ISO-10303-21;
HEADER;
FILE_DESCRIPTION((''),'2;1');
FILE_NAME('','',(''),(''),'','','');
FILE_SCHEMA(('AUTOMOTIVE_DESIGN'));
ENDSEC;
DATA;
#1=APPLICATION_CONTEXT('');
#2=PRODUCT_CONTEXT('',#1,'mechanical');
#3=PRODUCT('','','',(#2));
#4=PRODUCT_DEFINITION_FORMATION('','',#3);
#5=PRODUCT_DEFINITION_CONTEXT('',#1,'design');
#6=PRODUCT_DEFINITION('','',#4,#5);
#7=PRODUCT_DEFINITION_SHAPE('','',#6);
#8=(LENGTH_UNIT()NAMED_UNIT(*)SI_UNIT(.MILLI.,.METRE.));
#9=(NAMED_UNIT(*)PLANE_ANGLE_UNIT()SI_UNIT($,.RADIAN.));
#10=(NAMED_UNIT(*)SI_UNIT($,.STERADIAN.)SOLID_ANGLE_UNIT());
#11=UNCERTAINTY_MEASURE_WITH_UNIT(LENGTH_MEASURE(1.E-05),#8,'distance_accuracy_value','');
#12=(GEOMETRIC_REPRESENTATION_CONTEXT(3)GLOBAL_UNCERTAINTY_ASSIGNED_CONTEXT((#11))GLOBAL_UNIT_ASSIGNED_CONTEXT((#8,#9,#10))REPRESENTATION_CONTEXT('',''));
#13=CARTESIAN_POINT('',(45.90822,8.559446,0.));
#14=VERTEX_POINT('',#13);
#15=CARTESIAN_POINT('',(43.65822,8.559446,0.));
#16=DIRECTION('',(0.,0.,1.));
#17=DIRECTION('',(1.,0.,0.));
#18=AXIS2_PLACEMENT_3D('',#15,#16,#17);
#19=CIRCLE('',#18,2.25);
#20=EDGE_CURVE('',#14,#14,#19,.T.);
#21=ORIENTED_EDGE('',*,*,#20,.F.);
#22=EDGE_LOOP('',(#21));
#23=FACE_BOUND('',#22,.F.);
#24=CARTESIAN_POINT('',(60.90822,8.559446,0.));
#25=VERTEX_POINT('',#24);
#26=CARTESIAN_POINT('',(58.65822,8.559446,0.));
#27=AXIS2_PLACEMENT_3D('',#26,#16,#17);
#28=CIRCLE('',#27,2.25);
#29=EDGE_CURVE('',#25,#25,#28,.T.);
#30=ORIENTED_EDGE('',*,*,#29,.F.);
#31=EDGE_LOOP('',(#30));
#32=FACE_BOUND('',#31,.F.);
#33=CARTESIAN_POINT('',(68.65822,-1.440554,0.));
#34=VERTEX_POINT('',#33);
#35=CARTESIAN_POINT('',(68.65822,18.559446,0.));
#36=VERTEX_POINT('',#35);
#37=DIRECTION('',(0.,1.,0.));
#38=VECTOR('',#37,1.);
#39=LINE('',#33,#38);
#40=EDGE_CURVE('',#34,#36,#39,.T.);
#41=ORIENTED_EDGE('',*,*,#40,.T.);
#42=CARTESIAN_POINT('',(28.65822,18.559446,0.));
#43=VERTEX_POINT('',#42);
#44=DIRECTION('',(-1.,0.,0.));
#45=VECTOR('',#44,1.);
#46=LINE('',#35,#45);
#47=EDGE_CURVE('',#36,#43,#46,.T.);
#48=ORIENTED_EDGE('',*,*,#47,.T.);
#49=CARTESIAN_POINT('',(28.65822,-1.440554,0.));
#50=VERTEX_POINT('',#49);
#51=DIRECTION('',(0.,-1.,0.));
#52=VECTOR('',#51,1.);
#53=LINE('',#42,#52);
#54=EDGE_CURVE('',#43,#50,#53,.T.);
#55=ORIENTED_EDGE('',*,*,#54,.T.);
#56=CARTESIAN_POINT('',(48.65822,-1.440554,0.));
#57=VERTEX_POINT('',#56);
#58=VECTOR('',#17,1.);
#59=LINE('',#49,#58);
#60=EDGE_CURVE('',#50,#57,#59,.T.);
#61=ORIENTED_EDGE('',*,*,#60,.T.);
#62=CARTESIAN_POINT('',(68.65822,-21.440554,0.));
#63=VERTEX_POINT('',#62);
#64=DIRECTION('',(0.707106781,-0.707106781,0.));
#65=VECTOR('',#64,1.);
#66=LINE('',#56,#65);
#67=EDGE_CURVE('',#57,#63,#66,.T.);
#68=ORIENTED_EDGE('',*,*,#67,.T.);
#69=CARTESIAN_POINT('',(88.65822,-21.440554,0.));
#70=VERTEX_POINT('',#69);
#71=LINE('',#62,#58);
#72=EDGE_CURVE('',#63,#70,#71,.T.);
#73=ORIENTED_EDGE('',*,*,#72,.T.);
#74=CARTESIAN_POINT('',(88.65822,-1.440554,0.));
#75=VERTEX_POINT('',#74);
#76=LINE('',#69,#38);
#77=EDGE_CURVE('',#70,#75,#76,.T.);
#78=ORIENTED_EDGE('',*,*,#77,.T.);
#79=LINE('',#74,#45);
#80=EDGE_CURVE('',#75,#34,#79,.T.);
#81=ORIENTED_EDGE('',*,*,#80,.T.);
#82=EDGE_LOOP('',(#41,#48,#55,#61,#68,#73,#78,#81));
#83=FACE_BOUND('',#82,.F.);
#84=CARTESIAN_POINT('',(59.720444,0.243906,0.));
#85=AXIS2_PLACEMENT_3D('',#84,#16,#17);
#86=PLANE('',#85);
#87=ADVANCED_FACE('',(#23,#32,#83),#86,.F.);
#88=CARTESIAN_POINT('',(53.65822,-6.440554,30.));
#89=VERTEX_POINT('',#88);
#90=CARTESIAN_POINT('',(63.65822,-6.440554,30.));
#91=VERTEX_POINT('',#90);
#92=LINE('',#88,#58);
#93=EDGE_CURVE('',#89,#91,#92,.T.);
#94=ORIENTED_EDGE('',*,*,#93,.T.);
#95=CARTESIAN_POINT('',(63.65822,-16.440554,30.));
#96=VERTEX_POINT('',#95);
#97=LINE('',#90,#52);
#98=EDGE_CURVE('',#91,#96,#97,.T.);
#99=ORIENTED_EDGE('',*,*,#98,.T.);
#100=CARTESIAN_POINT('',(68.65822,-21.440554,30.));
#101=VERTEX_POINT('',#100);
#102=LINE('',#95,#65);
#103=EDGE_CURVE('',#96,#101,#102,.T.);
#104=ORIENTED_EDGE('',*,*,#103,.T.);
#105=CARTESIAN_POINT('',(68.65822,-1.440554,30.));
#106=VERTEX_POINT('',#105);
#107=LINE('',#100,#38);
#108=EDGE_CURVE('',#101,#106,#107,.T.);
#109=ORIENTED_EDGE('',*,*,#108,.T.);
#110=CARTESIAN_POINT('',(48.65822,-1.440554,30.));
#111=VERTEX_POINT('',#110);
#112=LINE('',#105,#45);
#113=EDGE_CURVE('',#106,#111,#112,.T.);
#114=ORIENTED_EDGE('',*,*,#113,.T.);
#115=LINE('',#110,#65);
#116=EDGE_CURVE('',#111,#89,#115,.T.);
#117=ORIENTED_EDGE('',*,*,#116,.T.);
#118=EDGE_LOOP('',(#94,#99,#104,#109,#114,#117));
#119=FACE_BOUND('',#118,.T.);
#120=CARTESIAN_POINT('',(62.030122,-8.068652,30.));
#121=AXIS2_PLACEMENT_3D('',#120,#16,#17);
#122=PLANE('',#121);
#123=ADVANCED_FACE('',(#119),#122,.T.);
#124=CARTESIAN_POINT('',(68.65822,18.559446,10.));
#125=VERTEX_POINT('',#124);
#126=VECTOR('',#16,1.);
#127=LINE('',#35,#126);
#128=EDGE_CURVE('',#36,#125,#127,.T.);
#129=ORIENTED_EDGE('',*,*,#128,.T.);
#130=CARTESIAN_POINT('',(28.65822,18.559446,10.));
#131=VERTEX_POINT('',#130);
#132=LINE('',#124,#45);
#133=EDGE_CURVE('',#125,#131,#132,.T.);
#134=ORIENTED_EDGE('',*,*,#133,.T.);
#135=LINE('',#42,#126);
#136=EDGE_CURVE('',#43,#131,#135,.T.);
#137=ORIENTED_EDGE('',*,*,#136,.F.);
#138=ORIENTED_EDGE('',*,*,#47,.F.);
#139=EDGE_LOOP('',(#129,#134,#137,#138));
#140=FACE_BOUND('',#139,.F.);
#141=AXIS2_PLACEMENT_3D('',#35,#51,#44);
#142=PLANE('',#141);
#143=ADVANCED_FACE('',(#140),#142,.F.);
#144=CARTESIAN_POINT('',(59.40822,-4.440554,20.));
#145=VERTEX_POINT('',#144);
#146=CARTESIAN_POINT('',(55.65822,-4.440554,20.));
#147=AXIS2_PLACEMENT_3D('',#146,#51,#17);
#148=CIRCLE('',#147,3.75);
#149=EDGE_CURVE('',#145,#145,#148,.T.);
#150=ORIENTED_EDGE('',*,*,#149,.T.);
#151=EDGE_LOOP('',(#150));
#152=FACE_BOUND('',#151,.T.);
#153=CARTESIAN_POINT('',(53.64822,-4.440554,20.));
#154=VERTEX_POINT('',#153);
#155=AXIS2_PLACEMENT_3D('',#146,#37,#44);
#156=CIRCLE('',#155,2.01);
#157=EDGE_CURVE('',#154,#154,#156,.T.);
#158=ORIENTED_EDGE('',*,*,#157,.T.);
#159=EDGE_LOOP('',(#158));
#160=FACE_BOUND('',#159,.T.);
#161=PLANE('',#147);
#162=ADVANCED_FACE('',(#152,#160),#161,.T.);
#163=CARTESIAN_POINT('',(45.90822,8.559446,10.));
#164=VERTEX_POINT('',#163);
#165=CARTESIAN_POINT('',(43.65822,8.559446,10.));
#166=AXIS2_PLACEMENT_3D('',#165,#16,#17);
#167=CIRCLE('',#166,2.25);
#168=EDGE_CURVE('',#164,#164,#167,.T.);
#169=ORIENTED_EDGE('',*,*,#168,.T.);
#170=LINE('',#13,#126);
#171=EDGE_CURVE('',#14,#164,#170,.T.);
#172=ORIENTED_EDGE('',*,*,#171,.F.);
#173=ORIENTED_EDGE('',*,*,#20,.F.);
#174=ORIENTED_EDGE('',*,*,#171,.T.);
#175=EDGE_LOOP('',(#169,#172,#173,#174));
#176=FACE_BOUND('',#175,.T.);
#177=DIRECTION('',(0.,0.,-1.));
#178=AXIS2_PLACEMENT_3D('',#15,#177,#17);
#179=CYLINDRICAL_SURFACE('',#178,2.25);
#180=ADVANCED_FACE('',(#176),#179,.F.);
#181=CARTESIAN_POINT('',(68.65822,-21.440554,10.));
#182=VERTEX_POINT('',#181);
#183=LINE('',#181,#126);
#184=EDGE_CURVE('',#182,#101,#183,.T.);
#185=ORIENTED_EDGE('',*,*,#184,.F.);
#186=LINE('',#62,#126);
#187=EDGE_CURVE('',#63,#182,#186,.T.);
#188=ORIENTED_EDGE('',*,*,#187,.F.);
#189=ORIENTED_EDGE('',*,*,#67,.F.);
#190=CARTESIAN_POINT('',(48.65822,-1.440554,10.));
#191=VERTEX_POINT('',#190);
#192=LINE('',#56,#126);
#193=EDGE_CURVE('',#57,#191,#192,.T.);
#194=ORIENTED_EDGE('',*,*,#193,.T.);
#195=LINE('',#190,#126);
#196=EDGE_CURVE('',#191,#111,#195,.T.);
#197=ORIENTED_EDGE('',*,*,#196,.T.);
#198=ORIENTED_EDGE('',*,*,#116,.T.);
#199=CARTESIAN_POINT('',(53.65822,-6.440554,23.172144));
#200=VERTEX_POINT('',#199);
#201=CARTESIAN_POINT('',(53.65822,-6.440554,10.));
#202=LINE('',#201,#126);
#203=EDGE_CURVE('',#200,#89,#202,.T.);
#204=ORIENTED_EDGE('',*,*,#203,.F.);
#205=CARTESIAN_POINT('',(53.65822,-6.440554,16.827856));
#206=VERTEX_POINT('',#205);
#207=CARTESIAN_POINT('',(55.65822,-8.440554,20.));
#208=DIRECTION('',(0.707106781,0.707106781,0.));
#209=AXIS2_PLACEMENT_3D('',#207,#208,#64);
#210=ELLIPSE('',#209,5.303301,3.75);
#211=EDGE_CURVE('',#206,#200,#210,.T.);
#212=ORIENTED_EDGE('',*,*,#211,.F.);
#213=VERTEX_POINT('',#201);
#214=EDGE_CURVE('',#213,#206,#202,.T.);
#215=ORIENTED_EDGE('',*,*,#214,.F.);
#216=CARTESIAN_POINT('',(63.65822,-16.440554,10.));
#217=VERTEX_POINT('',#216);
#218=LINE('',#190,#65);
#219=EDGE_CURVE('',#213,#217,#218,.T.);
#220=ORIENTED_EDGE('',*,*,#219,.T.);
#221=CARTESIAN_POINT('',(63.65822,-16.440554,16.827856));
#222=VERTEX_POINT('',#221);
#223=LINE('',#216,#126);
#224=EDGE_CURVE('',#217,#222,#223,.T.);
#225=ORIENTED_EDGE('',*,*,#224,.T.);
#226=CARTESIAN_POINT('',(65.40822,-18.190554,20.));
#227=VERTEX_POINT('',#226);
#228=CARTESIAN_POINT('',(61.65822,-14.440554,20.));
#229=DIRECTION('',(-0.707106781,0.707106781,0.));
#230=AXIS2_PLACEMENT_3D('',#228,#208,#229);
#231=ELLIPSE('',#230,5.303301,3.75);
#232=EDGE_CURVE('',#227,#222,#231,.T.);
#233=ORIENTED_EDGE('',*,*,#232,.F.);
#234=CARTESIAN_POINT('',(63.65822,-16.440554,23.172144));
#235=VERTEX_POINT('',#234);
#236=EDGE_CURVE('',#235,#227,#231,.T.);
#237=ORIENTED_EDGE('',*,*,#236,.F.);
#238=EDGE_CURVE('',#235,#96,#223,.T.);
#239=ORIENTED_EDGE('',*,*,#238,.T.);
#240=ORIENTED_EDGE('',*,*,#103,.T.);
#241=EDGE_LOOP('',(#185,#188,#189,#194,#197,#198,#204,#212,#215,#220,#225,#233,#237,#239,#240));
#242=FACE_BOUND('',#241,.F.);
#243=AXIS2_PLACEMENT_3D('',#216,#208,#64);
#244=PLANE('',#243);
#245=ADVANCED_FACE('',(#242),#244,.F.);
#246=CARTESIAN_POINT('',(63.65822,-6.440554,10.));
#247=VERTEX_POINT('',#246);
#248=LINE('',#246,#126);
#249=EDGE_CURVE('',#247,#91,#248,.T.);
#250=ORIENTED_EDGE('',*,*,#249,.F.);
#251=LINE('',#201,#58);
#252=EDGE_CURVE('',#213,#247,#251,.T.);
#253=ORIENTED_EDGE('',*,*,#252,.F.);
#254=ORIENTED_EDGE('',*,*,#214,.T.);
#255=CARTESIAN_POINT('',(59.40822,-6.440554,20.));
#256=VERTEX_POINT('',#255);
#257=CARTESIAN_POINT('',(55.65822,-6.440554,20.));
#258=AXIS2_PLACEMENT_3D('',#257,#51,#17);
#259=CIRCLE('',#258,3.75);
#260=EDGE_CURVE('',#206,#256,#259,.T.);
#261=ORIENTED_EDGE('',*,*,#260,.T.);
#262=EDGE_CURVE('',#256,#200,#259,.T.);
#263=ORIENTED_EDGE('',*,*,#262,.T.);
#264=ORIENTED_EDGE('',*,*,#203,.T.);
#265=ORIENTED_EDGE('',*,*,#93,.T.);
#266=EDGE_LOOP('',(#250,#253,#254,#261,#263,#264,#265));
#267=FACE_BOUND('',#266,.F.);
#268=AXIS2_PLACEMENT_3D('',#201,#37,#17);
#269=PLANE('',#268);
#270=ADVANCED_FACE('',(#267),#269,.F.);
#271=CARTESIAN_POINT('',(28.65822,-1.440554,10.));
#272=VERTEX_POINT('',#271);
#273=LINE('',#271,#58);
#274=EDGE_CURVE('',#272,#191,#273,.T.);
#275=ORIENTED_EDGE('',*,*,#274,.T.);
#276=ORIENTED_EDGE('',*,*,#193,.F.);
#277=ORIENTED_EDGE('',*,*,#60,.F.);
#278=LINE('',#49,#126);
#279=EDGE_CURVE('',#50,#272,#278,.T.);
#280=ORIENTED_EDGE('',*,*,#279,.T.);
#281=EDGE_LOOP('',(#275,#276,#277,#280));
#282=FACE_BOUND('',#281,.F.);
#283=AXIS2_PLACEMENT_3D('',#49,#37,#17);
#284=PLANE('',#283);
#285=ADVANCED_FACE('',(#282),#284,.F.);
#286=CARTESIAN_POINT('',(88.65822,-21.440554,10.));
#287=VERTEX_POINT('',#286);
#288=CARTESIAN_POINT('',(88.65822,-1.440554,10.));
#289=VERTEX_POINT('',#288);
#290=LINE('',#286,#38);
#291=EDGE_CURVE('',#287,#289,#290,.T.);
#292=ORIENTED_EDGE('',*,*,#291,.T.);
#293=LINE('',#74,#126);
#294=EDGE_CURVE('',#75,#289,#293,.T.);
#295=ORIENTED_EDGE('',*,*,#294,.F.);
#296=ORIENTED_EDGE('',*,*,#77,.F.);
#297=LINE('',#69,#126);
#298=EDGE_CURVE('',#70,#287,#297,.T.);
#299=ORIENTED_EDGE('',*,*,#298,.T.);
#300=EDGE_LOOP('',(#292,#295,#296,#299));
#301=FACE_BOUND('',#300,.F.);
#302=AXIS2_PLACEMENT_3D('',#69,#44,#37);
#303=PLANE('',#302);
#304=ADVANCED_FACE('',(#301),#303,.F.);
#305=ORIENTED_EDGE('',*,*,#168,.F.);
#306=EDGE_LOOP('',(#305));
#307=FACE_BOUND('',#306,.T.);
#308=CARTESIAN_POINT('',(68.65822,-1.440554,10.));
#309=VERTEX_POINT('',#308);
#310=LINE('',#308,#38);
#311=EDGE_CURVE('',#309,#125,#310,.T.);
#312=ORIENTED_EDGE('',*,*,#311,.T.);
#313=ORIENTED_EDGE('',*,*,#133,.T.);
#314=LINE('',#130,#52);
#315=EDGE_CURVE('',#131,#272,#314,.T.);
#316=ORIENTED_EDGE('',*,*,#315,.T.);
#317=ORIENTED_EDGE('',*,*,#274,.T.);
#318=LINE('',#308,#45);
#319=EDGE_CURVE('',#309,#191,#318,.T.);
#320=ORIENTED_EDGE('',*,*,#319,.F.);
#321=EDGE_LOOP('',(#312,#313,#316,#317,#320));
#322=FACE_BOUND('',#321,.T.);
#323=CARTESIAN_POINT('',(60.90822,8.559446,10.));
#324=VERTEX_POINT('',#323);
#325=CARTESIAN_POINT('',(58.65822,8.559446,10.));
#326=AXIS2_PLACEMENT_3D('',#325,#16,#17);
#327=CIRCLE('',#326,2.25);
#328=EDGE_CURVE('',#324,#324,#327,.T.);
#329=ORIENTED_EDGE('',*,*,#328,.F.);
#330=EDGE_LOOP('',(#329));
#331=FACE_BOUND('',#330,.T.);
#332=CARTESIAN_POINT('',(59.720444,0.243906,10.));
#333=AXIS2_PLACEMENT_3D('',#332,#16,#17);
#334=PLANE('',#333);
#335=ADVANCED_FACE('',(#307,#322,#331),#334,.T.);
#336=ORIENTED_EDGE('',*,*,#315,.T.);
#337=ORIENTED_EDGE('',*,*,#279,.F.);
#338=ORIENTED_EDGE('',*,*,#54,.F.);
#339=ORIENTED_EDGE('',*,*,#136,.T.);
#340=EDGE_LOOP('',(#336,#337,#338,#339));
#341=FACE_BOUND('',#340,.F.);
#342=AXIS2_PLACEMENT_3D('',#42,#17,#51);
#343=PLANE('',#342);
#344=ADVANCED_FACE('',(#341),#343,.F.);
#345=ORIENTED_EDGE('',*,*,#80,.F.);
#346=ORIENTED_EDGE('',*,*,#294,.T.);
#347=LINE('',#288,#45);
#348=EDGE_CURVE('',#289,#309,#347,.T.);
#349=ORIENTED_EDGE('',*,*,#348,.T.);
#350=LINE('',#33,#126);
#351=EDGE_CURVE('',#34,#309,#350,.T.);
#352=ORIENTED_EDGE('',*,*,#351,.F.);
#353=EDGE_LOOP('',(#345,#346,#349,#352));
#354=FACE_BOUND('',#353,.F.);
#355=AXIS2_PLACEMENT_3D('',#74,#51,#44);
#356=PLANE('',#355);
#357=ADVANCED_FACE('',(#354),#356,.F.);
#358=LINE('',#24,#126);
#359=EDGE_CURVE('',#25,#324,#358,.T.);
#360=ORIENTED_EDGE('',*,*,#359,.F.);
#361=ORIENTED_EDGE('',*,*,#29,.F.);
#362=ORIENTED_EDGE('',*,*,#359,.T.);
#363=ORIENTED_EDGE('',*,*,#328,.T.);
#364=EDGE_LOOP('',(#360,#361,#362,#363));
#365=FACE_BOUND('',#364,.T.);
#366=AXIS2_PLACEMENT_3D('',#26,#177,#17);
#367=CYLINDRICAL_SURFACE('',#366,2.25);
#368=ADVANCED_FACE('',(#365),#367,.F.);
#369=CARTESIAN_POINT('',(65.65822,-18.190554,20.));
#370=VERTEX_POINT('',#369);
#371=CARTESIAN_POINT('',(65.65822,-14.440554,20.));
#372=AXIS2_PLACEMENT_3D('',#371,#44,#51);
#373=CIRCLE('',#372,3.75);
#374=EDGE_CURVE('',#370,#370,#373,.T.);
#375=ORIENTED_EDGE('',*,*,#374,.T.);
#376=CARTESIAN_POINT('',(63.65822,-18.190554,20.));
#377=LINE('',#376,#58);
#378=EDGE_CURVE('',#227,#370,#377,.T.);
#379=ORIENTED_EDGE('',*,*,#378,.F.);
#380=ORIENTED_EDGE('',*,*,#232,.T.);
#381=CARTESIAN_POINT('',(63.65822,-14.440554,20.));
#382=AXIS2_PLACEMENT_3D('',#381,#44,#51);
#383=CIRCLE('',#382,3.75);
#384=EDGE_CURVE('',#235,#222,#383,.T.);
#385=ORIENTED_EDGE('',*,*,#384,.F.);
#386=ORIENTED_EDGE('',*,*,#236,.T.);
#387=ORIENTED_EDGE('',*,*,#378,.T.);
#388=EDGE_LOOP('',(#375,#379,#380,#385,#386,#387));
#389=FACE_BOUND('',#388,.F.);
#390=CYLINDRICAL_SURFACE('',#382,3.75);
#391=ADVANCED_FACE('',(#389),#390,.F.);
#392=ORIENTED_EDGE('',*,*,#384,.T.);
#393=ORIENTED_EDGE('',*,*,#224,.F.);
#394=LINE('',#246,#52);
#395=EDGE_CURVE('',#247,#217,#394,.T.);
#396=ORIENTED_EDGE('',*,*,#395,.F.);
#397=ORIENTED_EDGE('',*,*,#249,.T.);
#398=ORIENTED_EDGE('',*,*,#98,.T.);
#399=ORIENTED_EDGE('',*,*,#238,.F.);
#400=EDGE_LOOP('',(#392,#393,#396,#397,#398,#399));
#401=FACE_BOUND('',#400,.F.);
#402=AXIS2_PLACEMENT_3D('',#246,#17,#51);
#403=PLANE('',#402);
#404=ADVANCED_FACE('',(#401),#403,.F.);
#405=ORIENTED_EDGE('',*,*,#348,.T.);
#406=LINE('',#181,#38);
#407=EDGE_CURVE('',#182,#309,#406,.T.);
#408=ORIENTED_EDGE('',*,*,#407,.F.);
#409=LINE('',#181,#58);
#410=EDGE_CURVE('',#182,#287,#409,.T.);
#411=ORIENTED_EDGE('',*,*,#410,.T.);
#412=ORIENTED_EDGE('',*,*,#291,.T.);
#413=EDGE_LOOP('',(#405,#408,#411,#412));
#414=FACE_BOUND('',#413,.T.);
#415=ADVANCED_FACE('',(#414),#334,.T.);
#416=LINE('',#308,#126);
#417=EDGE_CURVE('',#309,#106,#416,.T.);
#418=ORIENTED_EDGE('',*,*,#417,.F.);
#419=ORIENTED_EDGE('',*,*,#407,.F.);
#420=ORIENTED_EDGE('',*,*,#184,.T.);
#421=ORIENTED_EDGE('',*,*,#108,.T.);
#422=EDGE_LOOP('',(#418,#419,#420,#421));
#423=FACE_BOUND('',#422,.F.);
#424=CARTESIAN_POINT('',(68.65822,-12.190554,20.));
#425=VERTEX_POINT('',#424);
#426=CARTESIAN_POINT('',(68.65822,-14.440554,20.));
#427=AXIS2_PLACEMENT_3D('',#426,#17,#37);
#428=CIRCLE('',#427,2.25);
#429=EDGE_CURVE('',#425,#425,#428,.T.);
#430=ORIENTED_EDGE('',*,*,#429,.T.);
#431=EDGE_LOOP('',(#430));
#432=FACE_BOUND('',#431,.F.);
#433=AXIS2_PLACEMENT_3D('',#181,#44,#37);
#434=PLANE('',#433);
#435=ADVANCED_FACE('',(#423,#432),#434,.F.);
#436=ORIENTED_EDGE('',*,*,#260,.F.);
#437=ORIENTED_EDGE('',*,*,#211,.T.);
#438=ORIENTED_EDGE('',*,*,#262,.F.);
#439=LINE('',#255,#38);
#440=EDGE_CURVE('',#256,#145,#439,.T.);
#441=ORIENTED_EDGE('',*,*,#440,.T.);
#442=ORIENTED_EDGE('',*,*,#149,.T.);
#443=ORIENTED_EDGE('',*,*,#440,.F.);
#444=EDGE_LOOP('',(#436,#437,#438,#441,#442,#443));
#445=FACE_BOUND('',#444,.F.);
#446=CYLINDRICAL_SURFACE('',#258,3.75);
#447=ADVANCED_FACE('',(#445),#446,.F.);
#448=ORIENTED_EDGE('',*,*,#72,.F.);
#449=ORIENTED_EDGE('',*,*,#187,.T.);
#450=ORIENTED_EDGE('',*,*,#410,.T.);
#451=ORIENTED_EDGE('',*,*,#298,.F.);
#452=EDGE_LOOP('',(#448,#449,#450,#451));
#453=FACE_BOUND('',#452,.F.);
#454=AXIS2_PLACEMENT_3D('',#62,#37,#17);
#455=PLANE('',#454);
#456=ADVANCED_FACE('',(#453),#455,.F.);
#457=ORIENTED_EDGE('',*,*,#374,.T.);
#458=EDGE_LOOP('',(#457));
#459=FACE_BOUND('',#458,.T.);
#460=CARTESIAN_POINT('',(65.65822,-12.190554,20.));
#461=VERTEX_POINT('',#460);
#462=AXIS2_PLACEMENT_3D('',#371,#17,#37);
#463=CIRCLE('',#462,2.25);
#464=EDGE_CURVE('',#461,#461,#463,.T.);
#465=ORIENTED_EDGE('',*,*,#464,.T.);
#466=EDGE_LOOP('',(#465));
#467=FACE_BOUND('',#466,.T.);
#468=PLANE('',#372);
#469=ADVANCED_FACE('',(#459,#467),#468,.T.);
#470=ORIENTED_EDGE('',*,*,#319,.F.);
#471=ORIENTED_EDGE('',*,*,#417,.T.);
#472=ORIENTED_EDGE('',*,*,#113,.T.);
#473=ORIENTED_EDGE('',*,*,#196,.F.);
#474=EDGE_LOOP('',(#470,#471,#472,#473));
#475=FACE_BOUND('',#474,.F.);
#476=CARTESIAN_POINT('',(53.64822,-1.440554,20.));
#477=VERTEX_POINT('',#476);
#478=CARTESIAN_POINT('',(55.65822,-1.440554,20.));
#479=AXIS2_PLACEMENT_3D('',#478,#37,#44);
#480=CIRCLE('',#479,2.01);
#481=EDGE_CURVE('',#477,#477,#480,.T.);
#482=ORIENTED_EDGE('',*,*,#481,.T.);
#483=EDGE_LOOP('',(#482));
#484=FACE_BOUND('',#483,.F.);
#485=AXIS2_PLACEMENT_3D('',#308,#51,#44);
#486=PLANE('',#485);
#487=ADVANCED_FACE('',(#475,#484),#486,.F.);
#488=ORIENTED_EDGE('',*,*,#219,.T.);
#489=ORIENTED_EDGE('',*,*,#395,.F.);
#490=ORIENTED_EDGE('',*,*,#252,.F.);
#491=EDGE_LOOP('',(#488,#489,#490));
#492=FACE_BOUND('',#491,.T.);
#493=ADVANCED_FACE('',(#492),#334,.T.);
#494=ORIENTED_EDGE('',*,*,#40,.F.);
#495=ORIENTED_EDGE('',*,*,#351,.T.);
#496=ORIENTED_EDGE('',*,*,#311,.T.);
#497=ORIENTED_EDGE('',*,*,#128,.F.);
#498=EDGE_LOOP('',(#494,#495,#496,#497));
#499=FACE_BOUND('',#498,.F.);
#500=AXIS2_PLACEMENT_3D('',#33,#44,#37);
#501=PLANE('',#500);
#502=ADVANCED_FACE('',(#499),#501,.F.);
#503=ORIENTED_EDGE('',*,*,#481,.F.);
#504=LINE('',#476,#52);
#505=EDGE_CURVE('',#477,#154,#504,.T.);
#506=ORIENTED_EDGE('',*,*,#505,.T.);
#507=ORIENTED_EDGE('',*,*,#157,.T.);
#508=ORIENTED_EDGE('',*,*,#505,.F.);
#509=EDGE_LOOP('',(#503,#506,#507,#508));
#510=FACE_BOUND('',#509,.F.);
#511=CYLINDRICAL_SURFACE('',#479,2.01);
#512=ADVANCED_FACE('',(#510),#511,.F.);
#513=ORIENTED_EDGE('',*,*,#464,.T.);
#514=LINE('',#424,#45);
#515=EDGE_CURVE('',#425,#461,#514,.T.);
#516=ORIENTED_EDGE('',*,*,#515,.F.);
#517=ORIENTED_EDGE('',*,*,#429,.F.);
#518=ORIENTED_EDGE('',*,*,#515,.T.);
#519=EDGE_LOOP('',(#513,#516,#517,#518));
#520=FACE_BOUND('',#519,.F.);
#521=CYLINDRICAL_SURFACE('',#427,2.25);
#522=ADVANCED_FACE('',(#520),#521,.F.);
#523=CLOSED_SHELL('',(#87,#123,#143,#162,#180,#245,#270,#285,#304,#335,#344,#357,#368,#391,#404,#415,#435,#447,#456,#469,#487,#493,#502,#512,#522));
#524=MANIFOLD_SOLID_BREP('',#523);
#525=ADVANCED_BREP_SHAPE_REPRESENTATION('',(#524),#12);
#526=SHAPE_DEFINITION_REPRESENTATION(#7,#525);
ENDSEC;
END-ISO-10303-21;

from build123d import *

# Parameters (mm, degrees)
F0_R      = 2.25
F1_DEPTH  = 10
F3_DEPTH  = 20
F4_R      = 2.25
F5_DEPTH  = 5
F6_R      = 2.01
F7_DEPTH  = 5
F8_R      = 3.75
F9_DEPTH  = 2
F10_R     = 3.75
F11_DEPTH = 2


with BuildPart() as f1:
    # F0 (on Top) → F1 (new body)
    with BuildSketch(Plane.XY):
        Polygon((28.65822, 18.559446), (28.65822, -1.440554), (48.65822, -1.440554), (68.65822, -21.440554), (88.65822, -21.440554), (88.65822, -1.440554), (68.65822, -1.440554), (68.65822, 18.559446), align=None)
        with Locations((43.65822, 8.559446)):
            Circle(F0_R, mode=Mode.SUBTRACT)
        with Locations((58.65822, 8.559446)):
            Circle(F0_R, mode=Mode.SUBTRACT)
    extrude(amount=F1_DEPTH)

    # F2 (on face) → F3 (join)
    with BuildSketch(Plane.XY.offset(10)):
        Polygon((68.65822, -21.440554), (68.65822, -1.440554), (48.65822, -1.440554), (53.65822, -6.440554), (58.65822, -6.440554), (63.65822, -6.440554), (63.65822, -11.440554), (63.65822, -16.440554), align=None)
    extrude(amount=F3_DEPTH)

    # F4 (on face) → F5 (cut)
    with BuildSketch(Plane.YZ.offset(68.65822)):
        with Locations((-14.440554, 20)):
            Circle(F4_R)
    extrude(amount=-F5_DEPTH, mode=Mode.SUBTRACT)

    # F6 (on face) → F7 (cut)
    with BuildSketch(Plane(origin=(0, -1.440554, 0), x_dir=(-1, 0, 0), z_dir=(0, 1, 0))):
        with Locations((-55.65822, 20)):
            Circle(F6_R)
    extrude(amount=-F7_DEPTH, mode=Mode.SUBTRACT)

    # F8 (on face) → F9 (cut)
    with BuildSketch(Plane(origin=(63.65822, 0, 0), x_dir=(0, -1, 0), z_dir=(-1, 0, 0))):
        with Locations((14.440554, 20)):
            Circle(F8_R)
    extrude(amount=-F9_DEPTH, mode=Mode.SUBTRACT)

    # F10 (on face) → F11 (cut)
    with BuildSketch(Plane.XZ.offset(6.440554)):
        with Locations((55.65822, 20)):
            Circle(F10_R)
    extrude(amount=-F11_DEPTH, mode=Mode.SUBTRACT)


solid = f1.part
